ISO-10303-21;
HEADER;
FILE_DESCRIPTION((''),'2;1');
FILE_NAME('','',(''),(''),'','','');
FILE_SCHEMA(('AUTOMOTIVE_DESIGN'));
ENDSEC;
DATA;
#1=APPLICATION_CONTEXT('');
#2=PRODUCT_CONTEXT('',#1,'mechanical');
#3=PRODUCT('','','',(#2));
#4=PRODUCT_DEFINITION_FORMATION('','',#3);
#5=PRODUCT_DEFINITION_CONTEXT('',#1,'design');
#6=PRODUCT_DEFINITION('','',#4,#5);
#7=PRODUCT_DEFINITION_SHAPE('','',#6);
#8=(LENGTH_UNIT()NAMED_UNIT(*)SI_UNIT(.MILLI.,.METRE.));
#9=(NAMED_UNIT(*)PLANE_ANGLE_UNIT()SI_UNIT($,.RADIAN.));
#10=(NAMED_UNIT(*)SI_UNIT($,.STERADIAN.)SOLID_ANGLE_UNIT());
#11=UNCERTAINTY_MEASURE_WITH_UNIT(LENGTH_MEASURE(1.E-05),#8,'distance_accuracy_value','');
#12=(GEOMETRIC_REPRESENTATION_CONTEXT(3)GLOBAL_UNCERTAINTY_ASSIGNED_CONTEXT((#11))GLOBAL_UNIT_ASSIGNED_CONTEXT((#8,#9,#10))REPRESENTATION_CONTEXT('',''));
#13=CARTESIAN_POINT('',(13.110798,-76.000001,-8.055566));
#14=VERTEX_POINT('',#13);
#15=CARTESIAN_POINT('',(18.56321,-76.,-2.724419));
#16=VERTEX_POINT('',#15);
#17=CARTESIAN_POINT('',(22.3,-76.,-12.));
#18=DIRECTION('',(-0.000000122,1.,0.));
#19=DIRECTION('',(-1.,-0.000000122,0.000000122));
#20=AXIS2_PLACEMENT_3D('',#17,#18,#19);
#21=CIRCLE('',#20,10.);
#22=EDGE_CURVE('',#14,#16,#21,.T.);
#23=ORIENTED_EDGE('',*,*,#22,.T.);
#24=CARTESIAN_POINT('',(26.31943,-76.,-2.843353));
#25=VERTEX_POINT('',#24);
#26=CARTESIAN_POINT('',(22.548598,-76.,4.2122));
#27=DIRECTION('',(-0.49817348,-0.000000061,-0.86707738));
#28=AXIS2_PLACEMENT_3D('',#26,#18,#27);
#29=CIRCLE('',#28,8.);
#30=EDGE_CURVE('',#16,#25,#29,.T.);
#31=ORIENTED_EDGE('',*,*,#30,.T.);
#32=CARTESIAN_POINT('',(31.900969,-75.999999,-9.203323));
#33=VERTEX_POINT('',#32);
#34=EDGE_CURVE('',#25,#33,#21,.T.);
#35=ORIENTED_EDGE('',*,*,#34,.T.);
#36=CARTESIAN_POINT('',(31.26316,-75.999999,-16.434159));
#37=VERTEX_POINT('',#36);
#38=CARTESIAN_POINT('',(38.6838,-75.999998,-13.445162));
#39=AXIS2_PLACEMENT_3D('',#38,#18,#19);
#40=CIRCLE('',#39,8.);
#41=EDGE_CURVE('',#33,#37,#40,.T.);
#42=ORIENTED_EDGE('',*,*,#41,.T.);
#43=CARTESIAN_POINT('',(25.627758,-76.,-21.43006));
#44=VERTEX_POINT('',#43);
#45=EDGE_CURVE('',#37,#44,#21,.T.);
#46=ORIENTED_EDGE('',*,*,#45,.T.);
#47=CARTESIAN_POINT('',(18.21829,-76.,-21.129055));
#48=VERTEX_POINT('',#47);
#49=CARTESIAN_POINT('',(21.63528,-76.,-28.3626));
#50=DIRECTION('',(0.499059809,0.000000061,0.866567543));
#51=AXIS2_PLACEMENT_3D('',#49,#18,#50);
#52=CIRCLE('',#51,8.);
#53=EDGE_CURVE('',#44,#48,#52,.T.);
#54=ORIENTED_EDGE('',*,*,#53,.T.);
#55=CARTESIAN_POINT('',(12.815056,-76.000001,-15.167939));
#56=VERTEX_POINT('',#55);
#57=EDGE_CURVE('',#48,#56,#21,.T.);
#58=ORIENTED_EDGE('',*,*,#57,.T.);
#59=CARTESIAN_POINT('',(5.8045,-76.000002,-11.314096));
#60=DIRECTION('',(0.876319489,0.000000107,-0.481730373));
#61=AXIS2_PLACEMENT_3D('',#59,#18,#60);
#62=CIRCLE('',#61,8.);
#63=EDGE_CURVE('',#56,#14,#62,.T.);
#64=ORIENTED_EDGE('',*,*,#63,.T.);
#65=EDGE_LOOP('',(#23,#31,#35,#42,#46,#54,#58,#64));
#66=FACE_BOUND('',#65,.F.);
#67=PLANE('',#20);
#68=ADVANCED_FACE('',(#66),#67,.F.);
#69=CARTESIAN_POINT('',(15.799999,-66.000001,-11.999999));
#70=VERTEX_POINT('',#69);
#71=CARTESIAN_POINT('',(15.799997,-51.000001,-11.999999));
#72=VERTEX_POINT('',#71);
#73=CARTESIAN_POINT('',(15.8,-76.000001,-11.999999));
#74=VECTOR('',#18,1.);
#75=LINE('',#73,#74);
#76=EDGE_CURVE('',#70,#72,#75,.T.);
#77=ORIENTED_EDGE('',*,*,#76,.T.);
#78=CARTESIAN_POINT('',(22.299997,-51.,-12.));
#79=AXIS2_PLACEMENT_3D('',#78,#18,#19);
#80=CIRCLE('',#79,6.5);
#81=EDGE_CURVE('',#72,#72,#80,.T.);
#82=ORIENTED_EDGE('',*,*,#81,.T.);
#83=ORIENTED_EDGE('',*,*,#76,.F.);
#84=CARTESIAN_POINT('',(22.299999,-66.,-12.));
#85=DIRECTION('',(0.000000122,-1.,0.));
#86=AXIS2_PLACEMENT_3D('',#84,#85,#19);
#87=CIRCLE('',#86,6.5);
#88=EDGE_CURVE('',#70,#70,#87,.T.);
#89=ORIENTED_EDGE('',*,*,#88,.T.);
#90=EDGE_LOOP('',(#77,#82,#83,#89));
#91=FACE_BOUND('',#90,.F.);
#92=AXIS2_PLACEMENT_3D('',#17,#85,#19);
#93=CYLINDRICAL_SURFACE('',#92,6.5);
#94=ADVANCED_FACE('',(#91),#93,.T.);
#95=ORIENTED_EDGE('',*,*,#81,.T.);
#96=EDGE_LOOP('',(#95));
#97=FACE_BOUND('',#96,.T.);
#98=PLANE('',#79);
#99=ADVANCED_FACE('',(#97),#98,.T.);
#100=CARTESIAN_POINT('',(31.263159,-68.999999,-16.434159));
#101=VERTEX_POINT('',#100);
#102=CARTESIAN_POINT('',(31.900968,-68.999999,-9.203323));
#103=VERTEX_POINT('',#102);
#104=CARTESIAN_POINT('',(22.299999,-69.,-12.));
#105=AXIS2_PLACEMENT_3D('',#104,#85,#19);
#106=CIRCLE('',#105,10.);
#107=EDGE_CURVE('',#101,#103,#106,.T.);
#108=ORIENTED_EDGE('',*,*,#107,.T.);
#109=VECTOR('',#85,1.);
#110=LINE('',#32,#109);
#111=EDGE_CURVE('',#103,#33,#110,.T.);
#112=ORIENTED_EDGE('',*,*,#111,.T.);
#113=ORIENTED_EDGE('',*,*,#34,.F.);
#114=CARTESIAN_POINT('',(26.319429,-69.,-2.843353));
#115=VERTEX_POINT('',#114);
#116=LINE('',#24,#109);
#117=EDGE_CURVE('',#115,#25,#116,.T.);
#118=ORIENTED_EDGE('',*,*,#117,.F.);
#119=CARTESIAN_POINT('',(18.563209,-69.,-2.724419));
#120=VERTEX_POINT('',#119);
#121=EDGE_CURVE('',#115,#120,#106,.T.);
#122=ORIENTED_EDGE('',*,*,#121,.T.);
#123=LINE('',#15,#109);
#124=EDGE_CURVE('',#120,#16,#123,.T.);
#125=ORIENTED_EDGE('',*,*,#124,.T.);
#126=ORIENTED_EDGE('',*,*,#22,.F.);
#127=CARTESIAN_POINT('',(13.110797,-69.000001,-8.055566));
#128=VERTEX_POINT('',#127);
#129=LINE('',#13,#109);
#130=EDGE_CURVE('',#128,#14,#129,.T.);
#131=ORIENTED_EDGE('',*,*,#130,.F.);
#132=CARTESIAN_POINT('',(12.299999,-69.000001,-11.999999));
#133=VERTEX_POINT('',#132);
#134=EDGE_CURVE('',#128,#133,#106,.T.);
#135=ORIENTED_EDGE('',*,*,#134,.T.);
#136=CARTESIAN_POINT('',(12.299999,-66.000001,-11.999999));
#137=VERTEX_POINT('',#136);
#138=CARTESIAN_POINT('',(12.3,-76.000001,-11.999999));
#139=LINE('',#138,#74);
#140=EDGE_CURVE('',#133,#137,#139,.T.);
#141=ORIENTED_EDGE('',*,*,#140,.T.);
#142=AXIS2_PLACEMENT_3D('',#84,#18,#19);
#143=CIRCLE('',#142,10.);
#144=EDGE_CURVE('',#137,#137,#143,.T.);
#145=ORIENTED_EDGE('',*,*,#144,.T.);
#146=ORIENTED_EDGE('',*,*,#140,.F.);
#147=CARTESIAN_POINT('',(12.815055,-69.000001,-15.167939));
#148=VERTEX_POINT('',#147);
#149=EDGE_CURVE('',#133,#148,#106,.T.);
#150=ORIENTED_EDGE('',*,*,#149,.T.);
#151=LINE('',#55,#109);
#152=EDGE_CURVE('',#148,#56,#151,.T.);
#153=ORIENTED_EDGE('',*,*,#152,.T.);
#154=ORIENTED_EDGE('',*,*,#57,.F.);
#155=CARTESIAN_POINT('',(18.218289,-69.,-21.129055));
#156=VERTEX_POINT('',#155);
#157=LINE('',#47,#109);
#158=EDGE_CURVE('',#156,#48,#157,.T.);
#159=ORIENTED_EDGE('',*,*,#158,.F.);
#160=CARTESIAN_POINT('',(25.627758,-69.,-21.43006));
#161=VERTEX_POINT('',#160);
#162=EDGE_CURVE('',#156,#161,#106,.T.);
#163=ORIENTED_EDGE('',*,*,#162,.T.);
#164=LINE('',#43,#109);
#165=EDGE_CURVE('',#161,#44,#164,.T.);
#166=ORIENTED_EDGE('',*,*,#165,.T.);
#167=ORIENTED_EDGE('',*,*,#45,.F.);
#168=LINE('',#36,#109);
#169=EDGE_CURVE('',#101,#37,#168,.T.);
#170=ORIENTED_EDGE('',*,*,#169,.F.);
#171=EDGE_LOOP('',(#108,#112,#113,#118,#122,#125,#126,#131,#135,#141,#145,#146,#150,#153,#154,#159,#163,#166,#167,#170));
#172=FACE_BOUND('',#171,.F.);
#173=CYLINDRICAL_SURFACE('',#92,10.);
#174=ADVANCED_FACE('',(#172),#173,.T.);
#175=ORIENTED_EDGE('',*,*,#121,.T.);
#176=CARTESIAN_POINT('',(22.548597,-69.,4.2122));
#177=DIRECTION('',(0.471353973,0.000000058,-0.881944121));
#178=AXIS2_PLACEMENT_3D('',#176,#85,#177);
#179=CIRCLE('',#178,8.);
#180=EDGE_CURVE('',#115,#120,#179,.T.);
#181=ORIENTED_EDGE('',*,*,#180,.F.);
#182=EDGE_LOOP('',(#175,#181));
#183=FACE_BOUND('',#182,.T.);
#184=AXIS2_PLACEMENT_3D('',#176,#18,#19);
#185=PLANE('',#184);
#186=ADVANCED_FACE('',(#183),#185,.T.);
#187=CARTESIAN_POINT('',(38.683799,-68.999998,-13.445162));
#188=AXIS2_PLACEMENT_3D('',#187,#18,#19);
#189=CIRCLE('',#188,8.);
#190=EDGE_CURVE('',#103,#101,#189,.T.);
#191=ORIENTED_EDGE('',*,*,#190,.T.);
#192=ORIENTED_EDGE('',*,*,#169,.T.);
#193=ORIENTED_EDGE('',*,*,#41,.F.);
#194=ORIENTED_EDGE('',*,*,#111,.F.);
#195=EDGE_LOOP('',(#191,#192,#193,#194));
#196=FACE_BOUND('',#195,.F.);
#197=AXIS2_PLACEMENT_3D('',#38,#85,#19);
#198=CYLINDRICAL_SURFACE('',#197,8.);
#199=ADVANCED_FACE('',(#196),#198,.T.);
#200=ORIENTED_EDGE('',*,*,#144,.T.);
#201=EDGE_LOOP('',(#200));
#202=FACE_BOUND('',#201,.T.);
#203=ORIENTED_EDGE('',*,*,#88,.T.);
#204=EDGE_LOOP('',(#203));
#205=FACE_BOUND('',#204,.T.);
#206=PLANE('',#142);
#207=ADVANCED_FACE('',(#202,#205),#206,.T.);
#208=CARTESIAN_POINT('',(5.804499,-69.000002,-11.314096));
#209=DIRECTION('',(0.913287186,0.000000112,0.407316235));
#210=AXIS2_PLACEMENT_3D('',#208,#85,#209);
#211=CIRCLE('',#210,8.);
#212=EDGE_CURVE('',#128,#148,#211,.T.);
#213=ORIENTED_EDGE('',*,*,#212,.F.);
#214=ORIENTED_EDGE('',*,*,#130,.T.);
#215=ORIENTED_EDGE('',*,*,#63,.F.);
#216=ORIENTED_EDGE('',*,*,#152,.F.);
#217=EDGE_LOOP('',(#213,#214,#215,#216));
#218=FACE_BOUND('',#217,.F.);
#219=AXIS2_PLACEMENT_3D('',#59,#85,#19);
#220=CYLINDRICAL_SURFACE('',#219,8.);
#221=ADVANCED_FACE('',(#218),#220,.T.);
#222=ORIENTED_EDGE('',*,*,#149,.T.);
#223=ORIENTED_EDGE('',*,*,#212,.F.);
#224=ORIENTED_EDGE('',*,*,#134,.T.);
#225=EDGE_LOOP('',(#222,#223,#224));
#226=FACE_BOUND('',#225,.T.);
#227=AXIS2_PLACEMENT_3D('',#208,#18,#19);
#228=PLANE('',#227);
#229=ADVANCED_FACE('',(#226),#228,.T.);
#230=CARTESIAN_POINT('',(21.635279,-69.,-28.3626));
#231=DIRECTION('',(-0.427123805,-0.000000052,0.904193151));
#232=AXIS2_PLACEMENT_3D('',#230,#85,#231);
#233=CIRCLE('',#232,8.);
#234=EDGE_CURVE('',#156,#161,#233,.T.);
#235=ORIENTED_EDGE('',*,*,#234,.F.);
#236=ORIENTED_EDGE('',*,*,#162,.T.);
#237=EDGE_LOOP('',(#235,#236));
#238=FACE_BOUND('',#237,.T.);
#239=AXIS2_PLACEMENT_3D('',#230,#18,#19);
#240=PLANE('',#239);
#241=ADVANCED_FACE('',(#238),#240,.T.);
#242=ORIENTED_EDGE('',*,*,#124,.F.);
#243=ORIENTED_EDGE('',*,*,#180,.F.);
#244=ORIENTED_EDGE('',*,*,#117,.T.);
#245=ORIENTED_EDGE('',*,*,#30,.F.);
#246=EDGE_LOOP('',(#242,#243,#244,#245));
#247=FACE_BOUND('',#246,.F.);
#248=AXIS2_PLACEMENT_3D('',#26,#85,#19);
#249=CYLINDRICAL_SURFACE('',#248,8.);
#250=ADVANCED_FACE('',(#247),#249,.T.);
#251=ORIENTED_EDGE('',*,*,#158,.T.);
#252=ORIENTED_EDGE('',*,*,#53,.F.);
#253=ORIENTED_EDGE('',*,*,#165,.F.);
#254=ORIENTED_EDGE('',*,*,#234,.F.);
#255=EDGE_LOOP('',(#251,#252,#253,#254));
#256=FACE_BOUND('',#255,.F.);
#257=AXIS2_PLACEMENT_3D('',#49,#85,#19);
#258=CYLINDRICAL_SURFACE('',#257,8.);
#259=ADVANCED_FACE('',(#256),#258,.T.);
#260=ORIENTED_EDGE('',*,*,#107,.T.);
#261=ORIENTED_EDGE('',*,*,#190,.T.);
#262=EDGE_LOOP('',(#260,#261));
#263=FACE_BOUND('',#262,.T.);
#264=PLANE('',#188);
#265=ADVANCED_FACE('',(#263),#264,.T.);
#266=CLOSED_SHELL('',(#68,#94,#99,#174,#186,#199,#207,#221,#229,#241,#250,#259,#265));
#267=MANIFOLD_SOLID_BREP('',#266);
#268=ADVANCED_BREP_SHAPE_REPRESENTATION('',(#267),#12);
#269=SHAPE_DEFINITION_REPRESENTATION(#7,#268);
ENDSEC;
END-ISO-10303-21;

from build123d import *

# Parameters (mm, degrees)
CYLINDER011_R             = 8
CYLINDER011_DEPTH         = 7
CYLINDER012_R             = 8
CYLINDER012_DEPTH         = 7
CYLINDER010_R             = 8
CYLINDER010_DEPTH         = 7
CYLINDER009_R             = 8
CYLINDER009_DEPTH         = 7
CYLINDER005_R             = 6.5
CYLINDER005_DEPTH         = 25
CYLINDER006_R             = 10
CYLINDER006_DEPTH         = 10
FUSION001_ROLL_ANGLE      = 90
FUSION001_PITCH_ANGLE     = -7e-06
FUSION001_PLACEMENT_ANGLE = -179.999993


with BuildPart() as cylinder011:
    # Cylinder011 → Cylinder011 (new body)
    with BuildSketch(Plane(origin=(16.4955, 0.685902, 0), x_dir=(1, 0, 0), z_dir=(0, 0, 1))):
        Circle(CYLINDER011_R)
    extrude(amount=CYLINDER011_DEPTH)


with BuildPart() as cylinder012:
    # Cylinder012 → Cylinder012 (new body)
    with BuildSketch(Plane(origin=(-16.3838, -1.44516, 0), x_dir=(1, 0, 0), z_dir=(0, 0, 1))):
        Circle(CYLINDER012_R)
    extrude(amount=CYLINDER012_DEPTH)


with BuildPart() as cylinder010:
    # Cylinder010 → Cylinder010 (new body)
    with BuildSketch(Plane(origin=(0.664718, -16.3626, 0), x_dir=(1, 0, 0), z_dir=(0, 0, 1))):
        Circle(CYLINDER010_R)
    extrude(amount=CYLINDER010_DEPTH)


with BuildPart() as cylinder009:
    # Cylinder009 → Cylinder009 (new body)
    with BuildSketch(Plane(origin=(-0.248596, 16.2122, 0), x_dir=(1, 0, 0), z_dir=(0, 0, 1))):
        Circle(CYLINDER009_R)
    extrude(amount=CYLINDER009_DEPTH)


with BuildPart() as cylinder005:
    # Cylinder005 → Cylinder005 (new body)
    with BuildSketch(Plane.XY):
        Circle(CYLINDER005_R)
    extrude(amount=CYLINDER005_DEPTH)


with BuildPart() as fusion001:
    # Cylinder006 → Cylinder006 (new body)
    with BuildSketch(Plane.XY):
        Circle(CYLINDER006_R)
    extrude(amount=CYLINDER006_DEPTH)

    # Fusion001: union Cylinder011, Cylinder012, Cylinder010, Cylinder009, Cylinder005
    add(cylinder011.part)
    add(cylinder012.part)
    add(cylinder010.part)
    add(cylinder009.part)
    add(cylinder005.part)


with BuildPart() as fusion001_1:
    # Fusion001 roll: moved
    add(fusion001.part.rotate(Axis((0, 0, 0), (1, 0, 0)), FUSION001_ROLL_ANGLE))


with BuildPart() as fusion001_2:
    # Fusion001 pitch: moved
    add(fusion001_1.part.rotate(Axis((0, 0, 0), (0, 1, 0)), FUSION001_PITCH_ANGLE))


with BuildPart() as fusion001_3:
    # Fusion001 placement: moved
    add(fusion001_2.part.moved(Location((22.3, -76, -12))).rotate(Axis((22.3, -76, -12), (0, 0, 1)), FUSION001_PLACEMENT_ANGLE))


solid = fusion001_3.part
